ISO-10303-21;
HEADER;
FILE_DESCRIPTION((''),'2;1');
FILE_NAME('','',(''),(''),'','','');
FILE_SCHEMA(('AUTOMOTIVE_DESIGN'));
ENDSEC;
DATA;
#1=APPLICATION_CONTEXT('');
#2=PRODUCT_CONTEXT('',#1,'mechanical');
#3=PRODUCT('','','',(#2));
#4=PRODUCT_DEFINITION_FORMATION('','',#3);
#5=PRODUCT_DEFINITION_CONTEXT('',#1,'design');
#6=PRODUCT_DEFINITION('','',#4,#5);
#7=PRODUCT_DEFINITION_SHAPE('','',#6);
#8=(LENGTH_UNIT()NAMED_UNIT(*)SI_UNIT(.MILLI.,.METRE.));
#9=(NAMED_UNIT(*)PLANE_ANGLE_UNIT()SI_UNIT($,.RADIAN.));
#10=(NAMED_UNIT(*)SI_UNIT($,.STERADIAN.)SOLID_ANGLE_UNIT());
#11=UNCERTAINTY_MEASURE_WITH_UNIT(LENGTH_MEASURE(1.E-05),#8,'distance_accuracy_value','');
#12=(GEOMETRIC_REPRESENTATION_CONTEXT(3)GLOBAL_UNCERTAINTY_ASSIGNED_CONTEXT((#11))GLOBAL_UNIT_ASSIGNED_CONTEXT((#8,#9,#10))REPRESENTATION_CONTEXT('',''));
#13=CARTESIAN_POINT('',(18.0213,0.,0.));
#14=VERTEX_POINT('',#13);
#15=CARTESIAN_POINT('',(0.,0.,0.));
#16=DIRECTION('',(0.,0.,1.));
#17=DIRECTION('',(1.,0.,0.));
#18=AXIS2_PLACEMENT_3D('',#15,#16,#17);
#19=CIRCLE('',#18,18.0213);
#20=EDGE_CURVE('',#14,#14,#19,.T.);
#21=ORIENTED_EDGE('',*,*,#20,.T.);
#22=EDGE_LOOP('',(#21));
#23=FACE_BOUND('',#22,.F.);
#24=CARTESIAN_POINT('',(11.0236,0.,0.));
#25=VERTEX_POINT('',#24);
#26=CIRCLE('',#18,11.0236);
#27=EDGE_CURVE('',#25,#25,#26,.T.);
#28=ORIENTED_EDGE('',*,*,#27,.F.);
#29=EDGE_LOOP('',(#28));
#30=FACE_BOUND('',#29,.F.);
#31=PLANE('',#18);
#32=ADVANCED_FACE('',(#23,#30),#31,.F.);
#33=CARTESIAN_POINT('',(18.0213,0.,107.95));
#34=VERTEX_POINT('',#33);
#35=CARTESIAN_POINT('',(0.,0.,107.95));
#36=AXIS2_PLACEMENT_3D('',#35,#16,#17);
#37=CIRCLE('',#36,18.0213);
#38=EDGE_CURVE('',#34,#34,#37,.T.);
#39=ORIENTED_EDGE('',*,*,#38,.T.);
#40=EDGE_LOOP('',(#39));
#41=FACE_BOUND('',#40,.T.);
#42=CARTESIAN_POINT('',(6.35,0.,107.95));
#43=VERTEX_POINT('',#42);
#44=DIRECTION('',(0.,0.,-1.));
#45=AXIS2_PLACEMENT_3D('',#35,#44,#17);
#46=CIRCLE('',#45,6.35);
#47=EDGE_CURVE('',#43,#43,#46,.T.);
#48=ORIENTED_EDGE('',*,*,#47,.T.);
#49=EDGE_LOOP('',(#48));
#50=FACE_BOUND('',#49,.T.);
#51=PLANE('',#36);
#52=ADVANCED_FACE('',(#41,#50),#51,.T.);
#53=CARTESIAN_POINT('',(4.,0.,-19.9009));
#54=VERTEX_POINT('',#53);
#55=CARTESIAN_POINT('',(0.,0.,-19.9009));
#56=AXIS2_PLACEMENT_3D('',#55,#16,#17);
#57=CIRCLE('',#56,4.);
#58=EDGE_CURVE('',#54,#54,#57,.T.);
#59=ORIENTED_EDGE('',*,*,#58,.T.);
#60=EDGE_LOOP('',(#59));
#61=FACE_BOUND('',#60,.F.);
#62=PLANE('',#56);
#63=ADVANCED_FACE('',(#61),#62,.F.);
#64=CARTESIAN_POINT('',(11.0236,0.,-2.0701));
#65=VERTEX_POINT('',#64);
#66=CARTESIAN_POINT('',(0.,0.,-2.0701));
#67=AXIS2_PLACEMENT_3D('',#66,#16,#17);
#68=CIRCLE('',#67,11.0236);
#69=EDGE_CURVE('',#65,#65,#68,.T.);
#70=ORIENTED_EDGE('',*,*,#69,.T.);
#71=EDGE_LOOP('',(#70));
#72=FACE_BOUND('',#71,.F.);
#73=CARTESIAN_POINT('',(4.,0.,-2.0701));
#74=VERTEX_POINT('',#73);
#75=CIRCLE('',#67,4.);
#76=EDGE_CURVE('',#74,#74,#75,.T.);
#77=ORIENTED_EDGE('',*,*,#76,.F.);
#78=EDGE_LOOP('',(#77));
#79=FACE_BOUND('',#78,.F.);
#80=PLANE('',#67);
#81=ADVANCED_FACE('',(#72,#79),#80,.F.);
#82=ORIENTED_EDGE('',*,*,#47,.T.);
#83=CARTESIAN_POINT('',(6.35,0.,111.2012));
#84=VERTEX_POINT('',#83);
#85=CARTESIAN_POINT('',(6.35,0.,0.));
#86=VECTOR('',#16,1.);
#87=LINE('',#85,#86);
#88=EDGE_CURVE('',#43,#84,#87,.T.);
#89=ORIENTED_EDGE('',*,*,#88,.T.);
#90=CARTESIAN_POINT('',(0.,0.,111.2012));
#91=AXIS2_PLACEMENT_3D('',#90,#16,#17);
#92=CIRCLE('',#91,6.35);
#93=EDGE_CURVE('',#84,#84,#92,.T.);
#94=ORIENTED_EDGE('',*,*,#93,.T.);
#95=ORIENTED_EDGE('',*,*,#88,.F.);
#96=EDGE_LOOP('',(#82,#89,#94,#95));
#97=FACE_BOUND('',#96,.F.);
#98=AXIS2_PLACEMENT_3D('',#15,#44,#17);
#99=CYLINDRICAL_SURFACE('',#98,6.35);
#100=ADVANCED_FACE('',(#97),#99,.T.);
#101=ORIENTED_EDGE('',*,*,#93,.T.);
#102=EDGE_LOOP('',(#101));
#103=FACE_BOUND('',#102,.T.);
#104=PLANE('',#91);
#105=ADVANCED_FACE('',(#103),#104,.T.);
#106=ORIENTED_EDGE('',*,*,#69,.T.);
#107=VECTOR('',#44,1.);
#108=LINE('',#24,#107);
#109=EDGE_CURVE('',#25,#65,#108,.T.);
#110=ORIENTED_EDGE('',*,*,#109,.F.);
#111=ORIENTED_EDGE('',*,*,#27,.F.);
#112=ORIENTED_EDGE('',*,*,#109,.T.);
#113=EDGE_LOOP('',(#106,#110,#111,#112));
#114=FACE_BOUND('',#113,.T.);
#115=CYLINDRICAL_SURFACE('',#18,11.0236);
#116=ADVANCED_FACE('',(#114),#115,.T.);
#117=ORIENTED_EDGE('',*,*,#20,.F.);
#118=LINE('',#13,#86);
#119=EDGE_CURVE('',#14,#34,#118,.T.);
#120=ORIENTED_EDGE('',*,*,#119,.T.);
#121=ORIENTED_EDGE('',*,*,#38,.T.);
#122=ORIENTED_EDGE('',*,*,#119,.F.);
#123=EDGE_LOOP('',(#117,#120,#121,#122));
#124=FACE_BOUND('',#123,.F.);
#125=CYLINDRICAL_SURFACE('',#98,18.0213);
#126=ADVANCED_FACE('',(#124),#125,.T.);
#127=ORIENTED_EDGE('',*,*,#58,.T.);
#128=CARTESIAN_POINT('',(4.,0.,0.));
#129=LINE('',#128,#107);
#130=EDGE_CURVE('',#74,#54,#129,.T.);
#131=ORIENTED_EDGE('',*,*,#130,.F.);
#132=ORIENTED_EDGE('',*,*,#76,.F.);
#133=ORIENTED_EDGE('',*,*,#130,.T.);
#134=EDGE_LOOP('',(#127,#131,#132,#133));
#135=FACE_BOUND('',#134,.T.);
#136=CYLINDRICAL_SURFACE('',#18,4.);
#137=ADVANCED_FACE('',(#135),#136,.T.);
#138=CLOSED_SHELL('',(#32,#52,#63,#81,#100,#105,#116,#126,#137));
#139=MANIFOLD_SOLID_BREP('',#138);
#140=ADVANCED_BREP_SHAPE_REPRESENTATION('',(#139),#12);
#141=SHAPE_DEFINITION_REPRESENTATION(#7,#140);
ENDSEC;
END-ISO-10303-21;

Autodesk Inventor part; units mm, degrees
ref_plane "YZ Plane" through (0, 0, 0) normal (1, 0, 0) x (0, 1, 0)
ref_plane "XZ Plane" through (0, 0, 0) normal (0, 1, 0) x (-1, 0, 0)
ref_plane "XY Plane" through (0, 0, 0) normal (0, 0, 1) x (1, 0, 0)
sketch "Sketch1" plane through (0, 0, 0) normal (0, 0, 1) x (1, 0, 0)
  circle A0 centre (0, 0) radius 18.0213
  circle A1 centre (0, 0) radius 4
  circle A2 centre (0, 0) radius 11.0236
  circle A3 centre (0, 0) radius 6.35
  dimension "d0" = 36.0426
  dimension "d1" = 8
  dimension "d2" = 22.0472
  dimension "d9" = 12.7
extrude "Extrusion1" add sketch "Sketch1" along normal blind 107.95 contours A0 | A1 | A2 | A3
extrude "Extrusion2" add sketch "Sketch1" against normal blind 2.0701 contours A2 | A3
extrude "Extrusion3" add sketch "Sketch1" against normal blind 19.9009 contours A1
extrude "Extrusion4" add sketch "Sketch1" along normal blind 111.2012 contours A1 | A3
properties part number "DriveMotor"
